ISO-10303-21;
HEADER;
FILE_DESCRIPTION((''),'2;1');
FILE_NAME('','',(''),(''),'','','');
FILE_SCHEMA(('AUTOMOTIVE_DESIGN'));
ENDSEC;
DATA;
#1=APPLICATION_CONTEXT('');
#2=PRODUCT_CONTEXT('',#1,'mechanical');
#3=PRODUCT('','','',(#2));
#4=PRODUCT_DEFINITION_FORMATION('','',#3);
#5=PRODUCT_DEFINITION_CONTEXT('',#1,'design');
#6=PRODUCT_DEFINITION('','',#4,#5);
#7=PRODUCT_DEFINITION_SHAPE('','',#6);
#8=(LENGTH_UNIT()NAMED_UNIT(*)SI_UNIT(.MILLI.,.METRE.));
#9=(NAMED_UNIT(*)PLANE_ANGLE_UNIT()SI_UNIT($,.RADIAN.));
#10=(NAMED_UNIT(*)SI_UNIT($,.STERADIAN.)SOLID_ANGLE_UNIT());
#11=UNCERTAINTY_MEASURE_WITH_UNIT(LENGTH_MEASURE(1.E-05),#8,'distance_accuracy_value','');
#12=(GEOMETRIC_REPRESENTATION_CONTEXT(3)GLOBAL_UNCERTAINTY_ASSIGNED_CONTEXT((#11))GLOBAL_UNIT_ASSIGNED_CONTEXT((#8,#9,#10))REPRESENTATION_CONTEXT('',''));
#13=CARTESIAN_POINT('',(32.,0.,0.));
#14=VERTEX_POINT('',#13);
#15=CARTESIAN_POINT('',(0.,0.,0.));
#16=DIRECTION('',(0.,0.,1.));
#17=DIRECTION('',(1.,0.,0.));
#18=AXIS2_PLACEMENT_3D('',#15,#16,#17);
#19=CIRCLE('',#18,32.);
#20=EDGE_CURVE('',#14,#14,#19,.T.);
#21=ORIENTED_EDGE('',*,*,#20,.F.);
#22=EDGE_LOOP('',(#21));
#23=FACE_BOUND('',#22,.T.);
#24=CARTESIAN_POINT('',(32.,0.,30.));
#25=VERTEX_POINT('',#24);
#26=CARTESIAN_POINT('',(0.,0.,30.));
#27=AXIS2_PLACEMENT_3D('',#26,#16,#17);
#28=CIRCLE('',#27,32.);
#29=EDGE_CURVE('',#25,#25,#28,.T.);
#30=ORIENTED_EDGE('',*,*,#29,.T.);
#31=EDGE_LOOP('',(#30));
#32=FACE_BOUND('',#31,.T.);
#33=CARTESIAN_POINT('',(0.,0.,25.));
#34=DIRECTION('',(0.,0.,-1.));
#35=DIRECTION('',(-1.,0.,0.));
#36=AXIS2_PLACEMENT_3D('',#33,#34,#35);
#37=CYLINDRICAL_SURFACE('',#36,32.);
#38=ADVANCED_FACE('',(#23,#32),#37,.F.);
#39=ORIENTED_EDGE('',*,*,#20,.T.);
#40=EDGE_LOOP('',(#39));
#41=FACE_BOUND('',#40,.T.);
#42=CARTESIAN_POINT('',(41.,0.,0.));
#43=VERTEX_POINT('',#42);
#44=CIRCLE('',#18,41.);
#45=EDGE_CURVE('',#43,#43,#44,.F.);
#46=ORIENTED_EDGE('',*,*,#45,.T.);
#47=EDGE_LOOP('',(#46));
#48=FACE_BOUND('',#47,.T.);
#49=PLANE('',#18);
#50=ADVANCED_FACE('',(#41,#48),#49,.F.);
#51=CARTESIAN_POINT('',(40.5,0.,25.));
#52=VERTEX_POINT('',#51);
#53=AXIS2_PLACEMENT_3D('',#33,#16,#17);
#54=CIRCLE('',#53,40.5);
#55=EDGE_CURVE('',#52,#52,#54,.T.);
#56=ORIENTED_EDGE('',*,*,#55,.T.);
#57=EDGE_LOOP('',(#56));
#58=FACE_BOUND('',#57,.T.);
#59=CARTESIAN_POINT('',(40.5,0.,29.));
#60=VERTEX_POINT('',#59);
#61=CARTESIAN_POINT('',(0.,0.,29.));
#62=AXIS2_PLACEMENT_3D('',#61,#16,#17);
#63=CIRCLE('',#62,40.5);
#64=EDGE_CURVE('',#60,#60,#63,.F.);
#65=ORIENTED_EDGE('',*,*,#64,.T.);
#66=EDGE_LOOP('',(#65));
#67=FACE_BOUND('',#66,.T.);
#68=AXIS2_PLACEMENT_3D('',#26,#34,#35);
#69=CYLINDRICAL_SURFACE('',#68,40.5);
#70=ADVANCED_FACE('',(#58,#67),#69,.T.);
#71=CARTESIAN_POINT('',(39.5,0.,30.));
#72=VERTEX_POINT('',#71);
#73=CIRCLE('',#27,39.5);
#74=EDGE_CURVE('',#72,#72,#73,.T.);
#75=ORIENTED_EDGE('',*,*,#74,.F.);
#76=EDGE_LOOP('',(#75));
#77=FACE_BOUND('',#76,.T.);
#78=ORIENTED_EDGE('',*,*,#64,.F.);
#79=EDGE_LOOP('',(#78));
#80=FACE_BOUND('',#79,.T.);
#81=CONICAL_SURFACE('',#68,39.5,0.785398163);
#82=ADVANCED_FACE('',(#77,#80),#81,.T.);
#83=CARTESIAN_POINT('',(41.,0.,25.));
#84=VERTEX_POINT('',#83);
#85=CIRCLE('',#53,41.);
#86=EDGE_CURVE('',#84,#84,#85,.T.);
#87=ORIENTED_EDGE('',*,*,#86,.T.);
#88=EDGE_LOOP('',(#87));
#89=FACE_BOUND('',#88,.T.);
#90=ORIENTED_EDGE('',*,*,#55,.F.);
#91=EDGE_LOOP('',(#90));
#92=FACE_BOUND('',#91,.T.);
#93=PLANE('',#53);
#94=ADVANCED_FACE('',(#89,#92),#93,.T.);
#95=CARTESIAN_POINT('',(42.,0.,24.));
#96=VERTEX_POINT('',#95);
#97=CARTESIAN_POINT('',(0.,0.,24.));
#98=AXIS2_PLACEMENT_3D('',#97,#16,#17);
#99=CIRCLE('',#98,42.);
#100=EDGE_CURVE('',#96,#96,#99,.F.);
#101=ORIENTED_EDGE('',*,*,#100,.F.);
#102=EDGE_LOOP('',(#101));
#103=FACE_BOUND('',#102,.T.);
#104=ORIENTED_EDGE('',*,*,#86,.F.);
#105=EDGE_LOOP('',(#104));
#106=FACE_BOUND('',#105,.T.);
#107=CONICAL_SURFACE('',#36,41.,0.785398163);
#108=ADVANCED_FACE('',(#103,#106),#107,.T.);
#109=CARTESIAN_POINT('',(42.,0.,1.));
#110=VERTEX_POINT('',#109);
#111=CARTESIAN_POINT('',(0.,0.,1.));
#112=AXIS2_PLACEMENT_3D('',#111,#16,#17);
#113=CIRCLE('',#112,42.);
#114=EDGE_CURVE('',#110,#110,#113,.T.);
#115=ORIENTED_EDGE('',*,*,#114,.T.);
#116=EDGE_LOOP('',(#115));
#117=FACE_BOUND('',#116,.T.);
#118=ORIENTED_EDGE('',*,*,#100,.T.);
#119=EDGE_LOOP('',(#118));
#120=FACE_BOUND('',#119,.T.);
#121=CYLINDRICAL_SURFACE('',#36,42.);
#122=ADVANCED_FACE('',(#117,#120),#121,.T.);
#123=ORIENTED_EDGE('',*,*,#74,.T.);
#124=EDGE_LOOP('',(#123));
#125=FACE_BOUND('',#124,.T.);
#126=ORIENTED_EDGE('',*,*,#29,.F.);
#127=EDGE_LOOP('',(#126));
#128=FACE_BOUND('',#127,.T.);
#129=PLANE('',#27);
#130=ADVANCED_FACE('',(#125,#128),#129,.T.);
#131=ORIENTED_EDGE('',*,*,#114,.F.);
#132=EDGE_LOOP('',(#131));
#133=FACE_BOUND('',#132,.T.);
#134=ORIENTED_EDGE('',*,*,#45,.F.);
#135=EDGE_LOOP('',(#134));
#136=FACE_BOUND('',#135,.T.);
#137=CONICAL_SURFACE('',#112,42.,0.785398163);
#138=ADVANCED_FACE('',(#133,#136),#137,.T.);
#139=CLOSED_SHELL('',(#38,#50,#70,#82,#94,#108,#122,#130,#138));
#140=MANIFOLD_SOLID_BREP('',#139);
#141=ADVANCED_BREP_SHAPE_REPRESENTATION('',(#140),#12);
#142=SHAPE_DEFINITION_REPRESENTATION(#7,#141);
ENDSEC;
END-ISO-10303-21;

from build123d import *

# Parameters (mm, degrees)
SKETCH1_R           = 42
SKETCH1_R_2         = 32
BOSS_EXTRUDE1_DEPTH = 25
SKETCH2_R           = 40.5
SKETCH2_R_2         = 32
BOSS_EXTRUDE2_DEPTH = 5
CHAMFER1_SIZE       = 1


with BuildPart() as part:
    # Sketch1 → Boss-Extrude1 (new body)
    with BuildSketch(Plane.XY):
        Circle(SKETCH1_R)
        Circle(SKETCH1_R_2, mode=Mode.SUBTRACT)
    extrude(amount=BOSS_EXTRUDE1_DEPTH)

    # Sketch2 → Boss-Extrude2 (add)
    with BuildSketch(Plane.XY.offset(25)):
        Circle(SKETCH2_R)
        Circle(SKETCH2_R_2, mode=Mode.SUBTRACT)
    extrude(amount=BOSS_EXTRUDE2_DEPTH)

    # Chamfer1
    chamfer1_edges = [part.edges().sort_by_distance(p)[0] for p in [
        (-40.5, 0, 30),
        (-42, 0, 0),
        (-42, 0, 25),
    ]]
    chamfer(chamfer1_edges, length=CHAMFER1_SIZE)


solid = part.part
